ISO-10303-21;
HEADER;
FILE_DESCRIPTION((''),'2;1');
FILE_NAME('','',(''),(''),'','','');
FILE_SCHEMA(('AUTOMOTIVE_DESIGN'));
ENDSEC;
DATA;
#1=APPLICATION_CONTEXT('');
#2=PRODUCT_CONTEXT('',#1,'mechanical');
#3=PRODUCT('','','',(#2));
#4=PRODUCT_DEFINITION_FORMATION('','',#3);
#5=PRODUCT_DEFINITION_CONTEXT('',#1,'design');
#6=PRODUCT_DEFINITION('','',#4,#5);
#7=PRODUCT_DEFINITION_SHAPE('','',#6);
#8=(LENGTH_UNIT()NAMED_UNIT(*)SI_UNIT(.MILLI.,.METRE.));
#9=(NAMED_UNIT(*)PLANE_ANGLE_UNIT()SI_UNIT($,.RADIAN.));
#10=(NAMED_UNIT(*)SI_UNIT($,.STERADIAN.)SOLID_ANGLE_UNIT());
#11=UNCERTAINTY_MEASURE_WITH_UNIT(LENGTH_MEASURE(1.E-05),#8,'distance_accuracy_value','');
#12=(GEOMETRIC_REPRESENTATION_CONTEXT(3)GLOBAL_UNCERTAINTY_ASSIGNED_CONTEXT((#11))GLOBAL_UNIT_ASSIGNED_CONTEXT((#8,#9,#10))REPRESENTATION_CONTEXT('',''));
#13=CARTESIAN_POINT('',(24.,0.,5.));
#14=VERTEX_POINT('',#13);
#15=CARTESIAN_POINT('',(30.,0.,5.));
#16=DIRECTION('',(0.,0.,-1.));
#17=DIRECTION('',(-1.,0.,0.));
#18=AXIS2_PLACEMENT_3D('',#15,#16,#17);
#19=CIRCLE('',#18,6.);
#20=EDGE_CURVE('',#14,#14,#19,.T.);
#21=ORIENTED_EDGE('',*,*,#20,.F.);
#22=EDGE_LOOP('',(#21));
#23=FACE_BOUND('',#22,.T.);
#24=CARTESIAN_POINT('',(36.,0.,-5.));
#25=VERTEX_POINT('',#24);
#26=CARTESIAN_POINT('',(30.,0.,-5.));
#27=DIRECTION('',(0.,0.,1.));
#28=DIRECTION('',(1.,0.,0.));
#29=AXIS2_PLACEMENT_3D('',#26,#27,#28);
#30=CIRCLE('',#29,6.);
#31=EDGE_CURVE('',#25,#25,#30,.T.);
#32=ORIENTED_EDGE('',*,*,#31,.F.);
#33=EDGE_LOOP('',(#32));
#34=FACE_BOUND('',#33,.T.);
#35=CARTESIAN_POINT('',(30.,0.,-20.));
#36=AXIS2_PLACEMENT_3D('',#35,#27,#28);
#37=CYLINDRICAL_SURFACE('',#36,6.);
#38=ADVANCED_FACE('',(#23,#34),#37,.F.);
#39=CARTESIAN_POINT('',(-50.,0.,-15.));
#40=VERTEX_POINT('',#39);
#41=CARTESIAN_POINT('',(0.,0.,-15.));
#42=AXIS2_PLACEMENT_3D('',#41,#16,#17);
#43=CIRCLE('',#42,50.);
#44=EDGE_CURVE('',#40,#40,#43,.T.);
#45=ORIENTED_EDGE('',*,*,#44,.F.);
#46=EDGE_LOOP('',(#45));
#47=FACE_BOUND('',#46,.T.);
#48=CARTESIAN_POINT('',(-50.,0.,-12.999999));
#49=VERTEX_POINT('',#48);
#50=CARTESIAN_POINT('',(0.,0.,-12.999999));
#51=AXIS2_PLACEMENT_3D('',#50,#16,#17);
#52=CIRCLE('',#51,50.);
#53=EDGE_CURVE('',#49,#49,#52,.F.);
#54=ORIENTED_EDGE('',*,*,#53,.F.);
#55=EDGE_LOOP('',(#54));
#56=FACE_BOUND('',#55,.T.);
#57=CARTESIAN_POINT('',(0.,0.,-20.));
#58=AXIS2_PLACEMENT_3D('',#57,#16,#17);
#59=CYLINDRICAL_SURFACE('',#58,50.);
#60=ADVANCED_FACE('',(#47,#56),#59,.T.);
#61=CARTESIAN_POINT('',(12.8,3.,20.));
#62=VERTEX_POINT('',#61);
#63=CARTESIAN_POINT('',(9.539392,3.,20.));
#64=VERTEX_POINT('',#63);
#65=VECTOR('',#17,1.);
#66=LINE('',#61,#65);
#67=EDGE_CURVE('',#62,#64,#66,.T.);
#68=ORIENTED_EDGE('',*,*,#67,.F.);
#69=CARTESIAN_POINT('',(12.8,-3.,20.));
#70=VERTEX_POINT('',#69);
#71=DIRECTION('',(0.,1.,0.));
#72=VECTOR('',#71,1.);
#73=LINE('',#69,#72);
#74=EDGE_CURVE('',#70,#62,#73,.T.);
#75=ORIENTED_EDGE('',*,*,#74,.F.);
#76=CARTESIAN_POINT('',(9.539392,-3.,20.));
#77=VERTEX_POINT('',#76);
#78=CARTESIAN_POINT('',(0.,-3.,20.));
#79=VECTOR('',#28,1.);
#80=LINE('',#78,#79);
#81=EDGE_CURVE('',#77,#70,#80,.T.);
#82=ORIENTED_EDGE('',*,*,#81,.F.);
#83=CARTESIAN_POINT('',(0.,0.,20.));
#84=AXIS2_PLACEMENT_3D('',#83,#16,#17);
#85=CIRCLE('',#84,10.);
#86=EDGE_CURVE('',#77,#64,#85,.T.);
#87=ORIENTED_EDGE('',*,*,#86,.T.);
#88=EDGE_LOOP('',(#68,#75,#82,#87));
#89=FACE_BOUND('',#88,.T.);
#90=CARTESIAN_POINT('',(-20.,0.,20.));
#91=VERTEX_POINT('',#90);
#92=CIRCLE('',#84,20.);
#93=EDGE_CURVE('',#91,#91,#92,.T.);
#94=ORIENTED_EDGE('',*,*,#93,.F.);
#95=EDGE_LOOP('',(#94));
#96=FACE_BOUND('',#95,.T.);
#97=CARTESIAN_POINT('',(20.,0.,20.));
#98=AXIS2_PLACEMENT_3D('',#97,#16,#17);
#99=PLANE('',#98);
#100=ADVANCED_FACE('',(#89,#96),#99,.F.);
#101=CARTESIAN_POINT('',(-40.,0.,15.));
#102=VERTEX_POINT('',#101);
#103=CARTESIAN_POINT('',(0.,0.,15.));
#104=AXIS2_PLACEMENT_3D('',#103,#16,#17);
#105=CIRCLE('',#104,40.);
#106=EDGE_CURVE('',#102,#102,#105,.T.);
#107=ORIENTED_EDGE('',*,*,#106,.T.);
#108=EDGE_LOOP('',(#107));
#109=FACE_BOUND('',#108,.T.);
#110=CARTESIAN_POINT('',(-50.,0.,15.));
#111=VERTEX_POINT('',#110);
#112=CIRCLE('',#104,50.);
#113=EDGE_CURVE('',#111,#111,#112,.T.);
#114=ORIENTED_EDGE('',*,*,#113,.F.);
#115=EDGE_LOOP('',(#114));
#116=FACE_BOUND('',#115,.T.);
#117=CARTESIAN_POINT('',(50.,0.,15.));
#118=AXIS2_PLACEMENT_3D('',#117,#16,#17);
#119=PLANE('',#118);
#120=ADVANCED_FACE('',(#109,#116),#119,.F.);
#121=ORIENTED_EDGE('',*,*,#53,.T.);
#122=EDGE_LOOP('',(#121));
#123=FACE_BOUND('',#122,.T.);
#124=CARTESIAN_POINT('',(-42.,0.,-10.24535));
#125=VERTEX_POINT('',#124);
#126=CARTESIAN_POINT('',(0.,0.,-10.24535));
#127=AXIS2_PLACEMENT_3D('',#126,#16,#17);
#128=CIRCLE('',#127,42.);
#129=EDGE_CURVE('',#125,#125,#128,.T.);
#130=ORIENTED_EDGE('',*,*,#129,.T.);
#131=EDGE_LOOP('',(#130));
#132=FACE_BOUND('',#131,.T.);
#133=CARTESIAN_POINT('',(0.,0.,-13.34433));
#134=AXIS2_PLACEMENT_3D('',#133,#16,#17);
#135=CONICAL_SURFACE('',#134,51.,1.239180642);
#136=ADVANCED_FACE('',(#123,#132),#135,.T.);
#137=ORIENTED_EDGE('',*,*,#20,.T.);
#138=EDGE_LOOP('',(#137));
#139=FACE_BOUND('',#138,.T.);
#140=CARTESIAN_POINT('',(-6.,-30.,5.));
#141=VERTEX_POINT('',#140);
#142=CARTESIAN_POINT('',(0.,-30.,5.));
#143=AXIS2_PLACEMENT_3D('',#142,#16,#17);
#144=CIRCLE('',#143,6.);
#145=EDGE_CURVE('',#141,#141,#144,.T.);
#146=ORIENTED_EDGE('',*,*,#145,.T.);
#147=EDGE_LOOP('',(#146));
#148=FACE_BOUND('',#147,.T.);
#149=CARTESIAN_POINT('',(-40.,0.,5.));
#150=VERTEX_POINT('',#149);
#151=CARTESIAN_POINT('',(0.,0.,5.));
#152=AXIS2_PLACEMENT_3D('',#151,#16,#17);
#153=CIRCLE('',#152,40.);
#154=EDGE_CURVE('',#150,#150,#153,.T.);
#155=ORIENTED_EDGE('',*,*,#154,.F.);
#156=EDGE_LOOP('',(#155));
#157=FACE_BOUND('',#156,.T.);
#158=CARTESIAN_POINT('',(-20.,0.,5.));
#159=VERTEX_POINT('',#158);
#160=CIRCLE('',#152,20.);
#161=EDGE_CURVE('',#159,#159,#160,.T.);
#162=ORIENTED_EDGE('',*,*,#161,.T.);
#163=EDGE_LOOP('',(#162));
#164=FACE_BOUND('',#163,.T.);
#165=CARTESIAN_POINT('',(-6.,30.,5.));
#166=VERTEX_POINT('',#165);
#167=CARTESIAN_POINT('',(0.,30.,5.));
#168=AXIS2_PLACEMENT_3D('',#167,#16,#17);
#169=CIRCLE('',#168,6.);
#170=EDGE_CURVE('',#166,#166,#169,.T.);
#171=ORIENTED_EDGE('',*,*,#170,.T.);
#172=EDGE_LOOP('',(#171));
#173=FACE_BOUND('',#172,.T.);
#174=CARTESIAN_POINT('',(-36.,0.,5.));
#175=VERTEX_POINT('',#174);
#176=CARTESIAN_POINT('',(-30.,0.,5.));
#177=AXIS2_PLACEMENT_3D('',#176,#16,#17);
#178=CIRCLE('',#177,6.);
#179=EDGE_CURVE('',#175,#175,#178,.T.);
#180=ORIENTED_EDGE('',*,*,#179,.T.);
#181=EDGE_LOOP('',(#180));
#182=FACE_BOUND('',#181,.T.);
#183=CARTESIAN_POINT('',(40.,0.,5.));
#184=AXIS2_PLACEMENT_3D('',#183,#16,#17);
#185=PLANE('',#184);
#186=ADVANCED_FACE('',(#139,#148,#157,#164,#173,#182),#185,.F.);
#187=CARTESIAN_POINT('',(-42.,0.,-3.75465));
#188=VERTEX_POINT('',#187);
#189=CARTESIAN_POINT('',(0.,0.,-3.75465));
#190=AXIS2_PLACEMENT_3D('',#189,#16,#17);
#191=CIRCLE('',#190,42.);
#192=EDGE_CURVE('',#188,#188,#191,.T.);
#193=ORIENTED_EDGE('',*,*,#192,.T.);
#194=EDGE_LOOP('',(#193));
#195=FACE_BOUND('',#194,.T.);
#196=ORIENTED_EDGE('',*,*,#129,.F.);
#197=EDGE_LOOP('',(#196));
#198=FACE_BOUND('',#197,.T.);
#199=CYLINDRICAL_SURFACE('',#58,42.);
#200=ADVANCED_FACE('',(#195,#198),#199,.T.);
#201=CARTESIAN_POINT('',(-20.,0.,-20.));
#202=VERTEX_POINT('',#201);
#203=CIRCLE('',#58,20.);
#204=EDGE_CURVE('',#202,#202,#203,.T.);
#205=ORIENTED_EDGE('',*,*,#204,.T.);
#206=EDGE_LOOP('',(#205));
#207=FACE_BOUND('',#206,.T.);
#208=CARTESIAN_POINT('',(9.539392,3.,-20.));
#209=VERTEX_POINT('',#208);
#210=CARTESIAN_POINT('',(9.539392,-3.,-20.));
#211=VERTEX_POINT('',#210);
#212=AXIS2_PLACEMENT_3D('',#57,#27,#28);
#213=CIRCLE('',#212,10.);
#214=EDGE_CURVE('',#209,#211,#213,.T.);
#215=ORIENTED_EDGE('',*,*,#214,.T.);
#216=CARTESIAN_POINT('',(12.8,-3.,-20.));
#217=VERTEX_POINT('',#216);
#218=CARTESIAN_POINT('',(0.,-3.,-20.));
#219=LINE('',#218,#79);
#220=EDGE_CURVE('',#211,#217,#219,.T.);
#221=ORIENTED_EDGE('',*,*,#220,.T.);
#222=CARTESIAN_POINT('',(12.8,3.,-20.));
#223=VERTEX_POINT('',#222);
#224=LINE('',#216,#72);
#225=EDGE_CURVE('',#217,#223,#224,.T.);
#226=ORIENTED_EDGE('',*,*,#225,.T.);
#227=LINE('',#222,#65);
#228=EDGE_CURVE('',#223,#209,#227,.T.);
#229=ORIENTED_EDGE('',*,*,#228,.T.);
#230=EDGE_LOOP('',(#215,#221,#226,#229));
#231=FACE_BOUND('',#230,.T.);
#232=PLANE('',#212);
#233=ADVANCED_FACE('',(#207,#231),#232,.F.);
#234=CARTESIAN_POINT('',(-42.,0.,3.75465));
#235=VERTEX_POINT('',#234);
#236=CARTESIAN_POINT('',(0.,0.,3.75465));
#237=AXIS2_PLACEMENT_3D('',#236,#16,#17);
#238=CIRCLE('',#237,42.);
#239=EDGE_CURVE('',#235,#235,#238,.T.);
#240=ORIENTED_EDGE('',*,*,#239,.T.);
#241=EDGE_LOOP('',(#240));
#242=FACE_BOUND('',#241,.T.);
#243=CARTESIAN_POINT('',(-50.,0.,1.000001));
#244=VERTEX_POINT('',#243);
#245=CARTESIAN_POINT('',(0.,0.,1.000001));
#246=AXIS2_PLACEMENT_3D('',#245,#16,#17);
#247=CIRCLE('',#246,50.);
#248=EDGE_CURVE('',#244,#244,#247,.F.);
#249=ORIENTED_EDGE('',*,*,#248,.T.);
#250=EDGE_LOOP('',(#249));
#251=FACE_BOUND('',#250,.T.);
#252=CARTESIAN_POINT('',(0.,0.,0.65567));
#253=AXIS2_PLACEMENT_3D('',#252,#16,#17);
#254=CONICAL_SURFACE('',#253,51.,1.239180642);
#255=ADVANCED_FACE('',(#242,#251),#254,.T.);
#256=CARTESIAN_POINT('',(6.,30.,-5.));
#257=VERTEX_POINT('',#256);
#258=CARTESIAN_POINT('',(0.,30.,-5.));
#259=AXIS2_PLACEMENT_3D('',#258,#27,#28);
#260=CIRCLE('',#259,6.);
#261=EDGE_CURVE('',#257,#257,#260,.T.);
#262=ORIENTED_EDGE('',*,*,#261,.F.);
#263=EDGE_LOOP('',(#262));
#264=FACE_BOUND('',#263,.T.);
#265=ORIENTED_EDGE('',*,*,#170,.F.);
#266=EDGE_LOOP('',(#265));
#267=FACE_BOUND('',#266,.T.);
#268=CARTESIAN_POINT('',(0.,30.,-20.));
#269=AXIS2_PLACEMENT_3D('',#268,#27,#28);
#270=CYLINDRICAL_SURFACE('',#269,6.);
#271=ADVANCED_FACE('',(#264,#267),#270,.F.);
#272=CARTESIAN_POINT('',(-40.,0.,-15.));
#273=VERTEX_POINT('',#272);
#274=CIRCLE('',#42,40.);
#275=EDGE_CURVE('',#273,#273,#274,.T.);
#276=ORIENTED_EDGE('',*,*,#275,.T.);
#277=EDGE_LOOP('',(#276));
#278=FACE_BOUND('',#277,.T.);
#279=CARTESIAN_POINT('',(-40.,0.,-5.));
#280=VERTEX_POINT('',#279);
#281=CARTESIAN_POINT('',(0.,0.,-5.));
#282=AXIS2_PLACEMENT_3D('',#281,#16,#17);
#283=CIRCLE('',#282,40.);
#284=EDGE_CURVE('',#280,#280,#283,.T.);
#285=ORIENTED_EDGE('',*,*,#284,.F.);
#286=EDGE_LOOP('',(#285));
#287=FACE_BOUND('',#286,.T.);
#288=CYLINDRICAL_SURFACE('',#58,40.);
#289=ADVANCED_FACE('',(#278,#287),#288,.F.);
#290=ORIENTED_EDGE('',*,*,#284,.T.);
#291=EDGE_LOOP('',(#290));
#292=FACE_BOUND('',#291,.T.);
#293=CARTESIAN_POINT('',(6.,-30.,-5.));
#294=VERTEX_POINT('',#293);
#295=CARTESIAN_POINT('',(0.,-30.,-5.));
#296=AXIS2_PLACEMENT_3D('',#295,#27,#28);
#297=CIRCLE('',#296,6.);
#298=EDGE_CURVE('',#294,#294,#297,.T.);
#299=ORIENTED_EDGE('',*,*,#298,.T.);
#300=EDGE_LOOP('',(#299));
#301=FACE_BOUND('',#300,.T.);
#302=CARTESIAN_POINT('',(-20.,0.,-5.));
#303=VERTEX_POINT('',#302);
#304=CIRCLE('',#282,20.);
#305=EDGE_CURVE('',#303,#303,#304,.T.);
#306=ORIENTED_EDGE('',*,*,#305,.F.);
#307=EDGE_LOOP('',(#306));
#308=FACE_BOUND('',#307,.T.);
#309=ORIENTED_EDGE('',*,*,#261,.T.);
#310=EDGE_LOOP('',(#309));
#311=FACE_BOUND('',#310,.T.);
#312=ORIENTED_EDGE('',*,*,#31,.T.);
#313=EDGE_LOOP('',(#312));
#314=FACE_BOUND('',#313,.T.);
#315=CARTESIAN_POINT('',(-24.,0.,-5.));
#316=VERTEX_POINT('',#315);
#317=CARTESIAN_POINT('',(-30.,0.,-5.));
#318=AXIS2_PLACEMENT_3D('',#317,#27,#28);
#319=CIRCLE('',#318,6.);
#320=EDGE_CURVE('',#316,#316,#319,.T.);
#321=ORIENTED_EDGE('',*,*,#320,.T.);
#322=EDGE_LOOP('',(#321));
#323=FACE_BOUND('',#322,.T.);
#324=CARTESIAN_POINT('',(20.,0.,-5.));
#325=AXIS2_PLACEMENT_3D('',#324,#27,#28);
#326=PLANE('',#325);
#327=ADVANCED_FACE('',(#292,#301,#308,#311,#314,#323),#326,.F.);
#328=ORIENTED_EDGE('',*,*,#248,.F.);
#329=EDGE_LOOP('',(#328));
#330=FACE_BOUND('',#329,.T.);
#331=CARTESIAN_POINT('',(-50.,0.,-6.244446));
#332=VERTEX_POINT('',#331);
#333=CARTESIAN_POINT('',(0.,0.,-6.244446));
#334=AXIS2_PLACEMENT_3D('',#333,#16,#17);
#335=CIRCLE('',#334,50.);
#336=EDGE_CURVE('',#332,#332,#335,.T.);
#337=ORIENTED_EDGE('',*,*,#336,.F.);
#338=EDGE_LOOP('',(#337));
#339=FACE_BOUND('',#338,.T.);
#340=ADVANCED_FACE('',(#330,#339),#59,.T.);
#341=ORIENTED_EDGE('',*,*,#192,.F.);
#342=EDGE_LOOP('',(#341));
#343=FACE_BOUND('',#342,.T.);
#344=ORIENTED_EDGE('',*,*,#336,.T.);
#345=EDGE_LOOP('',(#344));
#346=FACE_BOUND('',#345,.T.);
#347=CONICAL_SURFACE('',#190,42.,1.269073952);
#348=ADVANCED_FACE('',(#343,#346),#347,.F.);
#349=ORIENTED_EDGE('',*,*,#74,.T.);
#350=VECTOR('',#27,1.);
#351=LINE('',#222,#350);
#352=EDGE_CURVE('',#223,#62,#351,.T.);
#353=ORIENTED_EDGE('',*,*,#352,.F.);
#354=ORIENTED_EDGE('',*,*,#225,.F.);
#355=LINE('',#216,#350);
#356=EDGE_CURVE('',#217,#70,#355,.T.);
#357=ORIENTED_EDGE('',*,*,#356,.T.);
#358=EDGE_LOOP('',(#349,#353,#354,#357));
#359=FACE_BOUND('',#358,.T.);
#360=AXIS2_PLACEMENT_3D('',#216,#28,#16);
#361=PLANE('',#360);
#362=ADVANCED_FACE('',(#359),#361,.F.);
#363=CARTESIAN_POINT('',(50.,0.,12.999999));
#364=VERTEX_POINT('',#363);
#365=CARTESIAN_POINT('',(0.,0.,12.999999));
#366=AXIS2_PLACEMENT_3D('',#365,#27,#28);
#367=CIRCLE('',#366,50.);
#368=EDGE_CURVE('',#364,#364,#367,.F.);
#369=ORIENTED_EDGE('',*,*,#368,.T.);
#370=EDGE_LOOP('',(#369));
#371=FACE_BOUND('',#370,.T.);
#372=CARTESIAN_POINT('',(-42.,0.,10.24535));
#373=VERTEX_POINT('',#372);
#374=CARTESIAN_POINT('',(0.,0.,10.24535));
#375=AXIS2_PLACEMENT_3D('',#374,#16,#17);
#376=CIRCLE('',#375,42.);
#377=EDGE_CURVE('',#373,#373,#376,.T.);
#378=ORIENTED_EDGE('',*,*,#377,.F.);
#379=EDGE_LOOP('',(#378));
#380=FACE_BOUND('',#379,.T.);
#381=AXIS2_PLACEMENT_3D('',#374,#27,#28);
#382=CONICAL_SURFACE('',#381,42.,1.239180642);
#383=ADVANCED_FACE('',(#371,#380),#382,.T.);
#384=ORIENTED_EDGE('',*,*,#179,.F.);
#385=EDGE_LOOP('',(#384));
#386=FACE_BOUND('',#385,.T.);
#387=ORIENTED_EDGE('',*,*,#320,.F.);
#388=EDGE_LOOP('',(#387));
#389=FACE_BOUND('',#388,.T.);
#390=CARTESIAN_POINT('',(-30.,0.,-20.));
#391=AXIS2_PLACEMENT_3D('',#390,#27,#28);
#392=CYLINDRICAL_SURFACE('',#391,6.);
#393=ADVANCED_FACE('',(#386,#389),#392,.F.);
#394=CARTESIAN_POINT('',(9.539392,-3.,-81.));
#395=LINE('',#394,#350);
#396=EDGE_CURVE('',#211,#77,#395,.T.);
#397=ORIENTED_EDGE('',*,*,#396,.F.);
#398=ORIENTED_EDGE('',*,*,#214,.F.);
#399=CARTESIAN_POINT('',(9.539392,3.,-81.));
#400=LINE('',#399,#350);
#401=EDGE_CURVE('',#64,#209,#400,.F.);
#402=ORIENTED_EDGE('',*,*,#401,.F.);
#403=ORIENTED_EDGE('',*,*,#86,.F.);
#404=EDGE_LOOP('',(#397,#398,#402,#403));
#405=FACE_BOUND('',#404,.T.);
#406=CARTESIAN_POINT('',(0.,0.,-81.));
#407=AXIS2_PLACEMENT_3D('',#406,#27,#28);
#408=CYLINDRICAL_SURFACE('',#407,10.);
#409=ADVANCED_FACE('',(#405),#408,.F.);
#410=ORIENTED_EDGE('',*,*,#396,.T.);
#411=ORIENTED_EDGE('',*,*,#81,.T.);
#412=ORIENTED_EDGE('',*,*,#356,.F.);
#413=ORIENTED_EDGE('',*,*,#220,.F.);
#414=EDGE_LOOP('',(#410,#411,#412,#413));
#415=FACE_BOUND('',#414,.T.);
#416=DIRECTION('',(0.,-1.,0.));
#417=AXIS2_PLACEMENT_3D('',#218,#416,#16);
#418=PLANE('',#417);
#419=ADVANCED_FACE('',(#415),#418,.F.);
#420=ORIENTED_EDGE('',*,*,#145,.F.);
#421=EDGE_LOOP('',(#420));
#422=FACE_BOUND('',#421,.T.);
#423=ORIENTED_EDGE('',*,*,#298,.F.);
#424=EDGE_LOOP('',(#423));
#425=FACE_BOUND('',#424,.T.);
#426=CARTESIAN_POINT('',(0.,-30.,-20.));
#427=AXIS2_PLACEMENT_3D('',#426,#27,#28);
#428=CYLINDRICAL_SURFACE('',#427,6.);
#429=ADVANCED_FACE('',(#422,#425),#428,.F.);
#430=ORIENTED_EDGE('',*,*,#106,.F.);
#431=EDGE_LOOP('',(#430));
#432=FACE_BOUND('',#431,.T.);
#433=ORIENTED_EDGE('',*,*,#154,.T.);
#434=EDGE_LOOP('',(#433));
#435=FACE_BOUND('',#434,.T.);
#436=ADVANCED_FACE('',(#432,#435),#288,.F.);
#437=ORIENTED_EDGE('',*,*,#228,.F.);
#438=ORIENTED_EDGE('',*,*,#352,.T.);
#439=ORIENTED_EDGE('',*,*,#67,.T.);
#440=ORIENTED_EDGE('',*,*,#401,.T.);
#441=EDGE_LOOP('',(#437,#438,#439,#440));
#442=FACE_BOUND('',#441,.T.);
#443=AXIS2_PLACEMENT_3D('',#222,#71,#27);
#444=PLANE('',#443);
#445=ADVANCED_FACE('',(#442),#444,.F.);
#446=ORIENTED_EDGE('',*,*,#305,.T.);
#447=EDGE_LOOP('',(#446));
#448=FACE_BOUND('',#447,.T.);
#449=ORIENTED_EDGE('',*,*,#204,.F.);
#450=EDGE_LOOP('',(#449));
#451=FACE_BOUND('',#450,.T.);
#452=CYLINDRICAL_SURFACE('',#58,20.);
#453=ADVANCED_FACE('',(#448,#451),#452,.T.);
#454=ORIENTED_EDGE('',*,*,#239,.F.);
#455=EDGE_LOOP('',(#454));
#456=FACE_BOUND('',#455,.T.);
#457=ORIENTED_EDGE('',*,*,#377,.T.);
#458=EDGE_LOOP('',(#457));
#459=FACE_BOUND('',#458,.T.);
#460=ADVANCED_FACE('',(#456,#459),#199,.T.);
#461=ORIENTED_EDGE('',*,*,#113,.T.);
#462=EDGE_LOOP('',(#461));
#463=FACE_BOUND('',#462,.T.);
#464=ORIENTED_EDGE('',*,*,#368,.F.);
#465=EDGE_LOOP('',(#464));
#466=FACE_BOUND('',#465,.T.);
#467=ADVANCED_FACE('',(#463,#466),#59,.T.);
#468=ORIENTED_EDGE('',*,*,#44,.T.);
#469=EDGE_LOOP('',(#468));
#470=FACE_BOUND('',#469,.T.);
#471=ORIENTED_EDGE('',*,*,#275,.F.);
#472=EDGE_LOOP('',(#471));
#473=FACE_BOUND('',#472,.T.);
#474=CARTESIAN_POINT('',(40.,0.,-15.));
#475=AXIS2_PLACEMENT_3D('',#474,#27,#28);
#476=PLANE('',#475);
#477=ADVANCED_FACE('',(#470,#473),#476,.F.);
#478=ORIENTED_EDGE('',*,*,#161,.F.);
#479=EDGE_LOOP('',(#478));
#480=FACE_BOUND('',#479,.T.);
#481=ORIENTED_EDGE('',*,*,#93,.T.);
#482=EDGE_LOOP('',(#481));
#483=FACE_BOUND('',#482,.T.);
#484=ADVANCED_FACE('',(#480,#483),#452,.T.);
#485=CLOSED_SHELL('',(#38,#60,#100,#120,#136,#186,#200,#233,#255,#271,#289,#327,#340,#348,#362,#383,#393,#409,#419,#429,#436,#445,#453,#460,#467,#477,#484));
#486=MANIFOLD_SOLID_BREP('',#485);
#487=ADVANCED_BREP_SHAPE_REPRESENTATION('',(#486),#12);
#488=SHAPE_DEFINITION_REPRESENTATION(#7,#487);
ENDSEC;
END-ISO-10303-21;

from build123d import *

# Parameters (mm, degrees)
SKETCH_3_W          = 12.8
SKETCH_3_H          = 6
CUT_EXTRUDE_1_DEPTH = 82.240384046
SKETCH_4_R          = 6
CUT_EXTRUDE_2_DEPTH = 82.240384046
SKETCH_5_R          = 10
CUT_EXTRUDE_3_DEPTH = 101


with BuildPart() as part:
    # 草图1 → 旋转1 (revolve)
    with BuildSketch(Plane(origin=(0, 0, 0), x_dir=(1, 0, 0), z_dir=(0, 1, 0)), mode=Mode.PRIVATE) as revolve_1_sk:
        Polygon((0, 20), (20, 20), (20, 5), (40, 5), (40, 15), (50, 15), (50, -15), (40, -15), (40, -5), (20, -5), (20, -20), (0, -20), align=None)
    revolve(revolve_1_sk.sketch.rotate(Axis((0, 0, -20), (0, 0, 1)), 180), axis=Axis((0, 0, -20), (0, 0, 1)))

    # 草图2 → 切除-旋转1 (revolve, cut)
    with BuildSketch(Plane(origin=(0, 0, 0), x_dir=(1, 0, 0), z_dir=(0, 1, 0)), mode=Mode.PRIVATE) as cut_revolve_1_sk:
        Polygon((42, -3.75465), (51, -0.65567), (51, -13.34433), (42, -10.24535), align=None)
        Polygon((42, 3.75465), (51, 6.55567), (51, 13.34433), (42, 10.24535), align=None)
    revolve(cut_revolve_1_sk.sketch.rotate(Axis((0, 0, -20), (0, 0, 1)), 180), axis=Axis((0, 0, -20), (0, 0, 1)), mode=Mode.SUBTRACT)

    # 草图3 → 切除-拉伸1 (cut, through all)
    with BuildSketch(Plane.XY.offset(20)):
        with Locations((6.4, 0)):
            Rectangle(SKETCH_3_W, SKETCH_3_H)
    extrude(amount=-CUT_EXTRUDE_1_DEPTH, mode=Mode.SUBTRACT)

    # 草图4 → 切除-拉伸2 (cut, through all)
    with BuildSketch(Plane.XY.offset(20)):
        with Locations((30, 0)):
            Circle(SKETCH_4_R)
        with Locations((0, 30)):
            Circle(SKETCH_4_R)
        with Locations((-30, 0)):
            Circle(SKETCH_4_R)
        with Locations((0, -30)):
            Circle(SKETCH_4_R)
    extrude(amount=-CUT_EXTRUDE_2_DEPTH, mode=Mode.SUBTRACT)

    # 草图5 → 切除-拉伸3 (cut, symmetric)
    with BuildSketch(Plane.XY.offset(20)):
        Circle(SKETCH_5_R)
    extrude(amount=CUT_EXTRUDE_3_DEPTH, both=True, mode=Mode.SUBTRACT)


solid = part.part
